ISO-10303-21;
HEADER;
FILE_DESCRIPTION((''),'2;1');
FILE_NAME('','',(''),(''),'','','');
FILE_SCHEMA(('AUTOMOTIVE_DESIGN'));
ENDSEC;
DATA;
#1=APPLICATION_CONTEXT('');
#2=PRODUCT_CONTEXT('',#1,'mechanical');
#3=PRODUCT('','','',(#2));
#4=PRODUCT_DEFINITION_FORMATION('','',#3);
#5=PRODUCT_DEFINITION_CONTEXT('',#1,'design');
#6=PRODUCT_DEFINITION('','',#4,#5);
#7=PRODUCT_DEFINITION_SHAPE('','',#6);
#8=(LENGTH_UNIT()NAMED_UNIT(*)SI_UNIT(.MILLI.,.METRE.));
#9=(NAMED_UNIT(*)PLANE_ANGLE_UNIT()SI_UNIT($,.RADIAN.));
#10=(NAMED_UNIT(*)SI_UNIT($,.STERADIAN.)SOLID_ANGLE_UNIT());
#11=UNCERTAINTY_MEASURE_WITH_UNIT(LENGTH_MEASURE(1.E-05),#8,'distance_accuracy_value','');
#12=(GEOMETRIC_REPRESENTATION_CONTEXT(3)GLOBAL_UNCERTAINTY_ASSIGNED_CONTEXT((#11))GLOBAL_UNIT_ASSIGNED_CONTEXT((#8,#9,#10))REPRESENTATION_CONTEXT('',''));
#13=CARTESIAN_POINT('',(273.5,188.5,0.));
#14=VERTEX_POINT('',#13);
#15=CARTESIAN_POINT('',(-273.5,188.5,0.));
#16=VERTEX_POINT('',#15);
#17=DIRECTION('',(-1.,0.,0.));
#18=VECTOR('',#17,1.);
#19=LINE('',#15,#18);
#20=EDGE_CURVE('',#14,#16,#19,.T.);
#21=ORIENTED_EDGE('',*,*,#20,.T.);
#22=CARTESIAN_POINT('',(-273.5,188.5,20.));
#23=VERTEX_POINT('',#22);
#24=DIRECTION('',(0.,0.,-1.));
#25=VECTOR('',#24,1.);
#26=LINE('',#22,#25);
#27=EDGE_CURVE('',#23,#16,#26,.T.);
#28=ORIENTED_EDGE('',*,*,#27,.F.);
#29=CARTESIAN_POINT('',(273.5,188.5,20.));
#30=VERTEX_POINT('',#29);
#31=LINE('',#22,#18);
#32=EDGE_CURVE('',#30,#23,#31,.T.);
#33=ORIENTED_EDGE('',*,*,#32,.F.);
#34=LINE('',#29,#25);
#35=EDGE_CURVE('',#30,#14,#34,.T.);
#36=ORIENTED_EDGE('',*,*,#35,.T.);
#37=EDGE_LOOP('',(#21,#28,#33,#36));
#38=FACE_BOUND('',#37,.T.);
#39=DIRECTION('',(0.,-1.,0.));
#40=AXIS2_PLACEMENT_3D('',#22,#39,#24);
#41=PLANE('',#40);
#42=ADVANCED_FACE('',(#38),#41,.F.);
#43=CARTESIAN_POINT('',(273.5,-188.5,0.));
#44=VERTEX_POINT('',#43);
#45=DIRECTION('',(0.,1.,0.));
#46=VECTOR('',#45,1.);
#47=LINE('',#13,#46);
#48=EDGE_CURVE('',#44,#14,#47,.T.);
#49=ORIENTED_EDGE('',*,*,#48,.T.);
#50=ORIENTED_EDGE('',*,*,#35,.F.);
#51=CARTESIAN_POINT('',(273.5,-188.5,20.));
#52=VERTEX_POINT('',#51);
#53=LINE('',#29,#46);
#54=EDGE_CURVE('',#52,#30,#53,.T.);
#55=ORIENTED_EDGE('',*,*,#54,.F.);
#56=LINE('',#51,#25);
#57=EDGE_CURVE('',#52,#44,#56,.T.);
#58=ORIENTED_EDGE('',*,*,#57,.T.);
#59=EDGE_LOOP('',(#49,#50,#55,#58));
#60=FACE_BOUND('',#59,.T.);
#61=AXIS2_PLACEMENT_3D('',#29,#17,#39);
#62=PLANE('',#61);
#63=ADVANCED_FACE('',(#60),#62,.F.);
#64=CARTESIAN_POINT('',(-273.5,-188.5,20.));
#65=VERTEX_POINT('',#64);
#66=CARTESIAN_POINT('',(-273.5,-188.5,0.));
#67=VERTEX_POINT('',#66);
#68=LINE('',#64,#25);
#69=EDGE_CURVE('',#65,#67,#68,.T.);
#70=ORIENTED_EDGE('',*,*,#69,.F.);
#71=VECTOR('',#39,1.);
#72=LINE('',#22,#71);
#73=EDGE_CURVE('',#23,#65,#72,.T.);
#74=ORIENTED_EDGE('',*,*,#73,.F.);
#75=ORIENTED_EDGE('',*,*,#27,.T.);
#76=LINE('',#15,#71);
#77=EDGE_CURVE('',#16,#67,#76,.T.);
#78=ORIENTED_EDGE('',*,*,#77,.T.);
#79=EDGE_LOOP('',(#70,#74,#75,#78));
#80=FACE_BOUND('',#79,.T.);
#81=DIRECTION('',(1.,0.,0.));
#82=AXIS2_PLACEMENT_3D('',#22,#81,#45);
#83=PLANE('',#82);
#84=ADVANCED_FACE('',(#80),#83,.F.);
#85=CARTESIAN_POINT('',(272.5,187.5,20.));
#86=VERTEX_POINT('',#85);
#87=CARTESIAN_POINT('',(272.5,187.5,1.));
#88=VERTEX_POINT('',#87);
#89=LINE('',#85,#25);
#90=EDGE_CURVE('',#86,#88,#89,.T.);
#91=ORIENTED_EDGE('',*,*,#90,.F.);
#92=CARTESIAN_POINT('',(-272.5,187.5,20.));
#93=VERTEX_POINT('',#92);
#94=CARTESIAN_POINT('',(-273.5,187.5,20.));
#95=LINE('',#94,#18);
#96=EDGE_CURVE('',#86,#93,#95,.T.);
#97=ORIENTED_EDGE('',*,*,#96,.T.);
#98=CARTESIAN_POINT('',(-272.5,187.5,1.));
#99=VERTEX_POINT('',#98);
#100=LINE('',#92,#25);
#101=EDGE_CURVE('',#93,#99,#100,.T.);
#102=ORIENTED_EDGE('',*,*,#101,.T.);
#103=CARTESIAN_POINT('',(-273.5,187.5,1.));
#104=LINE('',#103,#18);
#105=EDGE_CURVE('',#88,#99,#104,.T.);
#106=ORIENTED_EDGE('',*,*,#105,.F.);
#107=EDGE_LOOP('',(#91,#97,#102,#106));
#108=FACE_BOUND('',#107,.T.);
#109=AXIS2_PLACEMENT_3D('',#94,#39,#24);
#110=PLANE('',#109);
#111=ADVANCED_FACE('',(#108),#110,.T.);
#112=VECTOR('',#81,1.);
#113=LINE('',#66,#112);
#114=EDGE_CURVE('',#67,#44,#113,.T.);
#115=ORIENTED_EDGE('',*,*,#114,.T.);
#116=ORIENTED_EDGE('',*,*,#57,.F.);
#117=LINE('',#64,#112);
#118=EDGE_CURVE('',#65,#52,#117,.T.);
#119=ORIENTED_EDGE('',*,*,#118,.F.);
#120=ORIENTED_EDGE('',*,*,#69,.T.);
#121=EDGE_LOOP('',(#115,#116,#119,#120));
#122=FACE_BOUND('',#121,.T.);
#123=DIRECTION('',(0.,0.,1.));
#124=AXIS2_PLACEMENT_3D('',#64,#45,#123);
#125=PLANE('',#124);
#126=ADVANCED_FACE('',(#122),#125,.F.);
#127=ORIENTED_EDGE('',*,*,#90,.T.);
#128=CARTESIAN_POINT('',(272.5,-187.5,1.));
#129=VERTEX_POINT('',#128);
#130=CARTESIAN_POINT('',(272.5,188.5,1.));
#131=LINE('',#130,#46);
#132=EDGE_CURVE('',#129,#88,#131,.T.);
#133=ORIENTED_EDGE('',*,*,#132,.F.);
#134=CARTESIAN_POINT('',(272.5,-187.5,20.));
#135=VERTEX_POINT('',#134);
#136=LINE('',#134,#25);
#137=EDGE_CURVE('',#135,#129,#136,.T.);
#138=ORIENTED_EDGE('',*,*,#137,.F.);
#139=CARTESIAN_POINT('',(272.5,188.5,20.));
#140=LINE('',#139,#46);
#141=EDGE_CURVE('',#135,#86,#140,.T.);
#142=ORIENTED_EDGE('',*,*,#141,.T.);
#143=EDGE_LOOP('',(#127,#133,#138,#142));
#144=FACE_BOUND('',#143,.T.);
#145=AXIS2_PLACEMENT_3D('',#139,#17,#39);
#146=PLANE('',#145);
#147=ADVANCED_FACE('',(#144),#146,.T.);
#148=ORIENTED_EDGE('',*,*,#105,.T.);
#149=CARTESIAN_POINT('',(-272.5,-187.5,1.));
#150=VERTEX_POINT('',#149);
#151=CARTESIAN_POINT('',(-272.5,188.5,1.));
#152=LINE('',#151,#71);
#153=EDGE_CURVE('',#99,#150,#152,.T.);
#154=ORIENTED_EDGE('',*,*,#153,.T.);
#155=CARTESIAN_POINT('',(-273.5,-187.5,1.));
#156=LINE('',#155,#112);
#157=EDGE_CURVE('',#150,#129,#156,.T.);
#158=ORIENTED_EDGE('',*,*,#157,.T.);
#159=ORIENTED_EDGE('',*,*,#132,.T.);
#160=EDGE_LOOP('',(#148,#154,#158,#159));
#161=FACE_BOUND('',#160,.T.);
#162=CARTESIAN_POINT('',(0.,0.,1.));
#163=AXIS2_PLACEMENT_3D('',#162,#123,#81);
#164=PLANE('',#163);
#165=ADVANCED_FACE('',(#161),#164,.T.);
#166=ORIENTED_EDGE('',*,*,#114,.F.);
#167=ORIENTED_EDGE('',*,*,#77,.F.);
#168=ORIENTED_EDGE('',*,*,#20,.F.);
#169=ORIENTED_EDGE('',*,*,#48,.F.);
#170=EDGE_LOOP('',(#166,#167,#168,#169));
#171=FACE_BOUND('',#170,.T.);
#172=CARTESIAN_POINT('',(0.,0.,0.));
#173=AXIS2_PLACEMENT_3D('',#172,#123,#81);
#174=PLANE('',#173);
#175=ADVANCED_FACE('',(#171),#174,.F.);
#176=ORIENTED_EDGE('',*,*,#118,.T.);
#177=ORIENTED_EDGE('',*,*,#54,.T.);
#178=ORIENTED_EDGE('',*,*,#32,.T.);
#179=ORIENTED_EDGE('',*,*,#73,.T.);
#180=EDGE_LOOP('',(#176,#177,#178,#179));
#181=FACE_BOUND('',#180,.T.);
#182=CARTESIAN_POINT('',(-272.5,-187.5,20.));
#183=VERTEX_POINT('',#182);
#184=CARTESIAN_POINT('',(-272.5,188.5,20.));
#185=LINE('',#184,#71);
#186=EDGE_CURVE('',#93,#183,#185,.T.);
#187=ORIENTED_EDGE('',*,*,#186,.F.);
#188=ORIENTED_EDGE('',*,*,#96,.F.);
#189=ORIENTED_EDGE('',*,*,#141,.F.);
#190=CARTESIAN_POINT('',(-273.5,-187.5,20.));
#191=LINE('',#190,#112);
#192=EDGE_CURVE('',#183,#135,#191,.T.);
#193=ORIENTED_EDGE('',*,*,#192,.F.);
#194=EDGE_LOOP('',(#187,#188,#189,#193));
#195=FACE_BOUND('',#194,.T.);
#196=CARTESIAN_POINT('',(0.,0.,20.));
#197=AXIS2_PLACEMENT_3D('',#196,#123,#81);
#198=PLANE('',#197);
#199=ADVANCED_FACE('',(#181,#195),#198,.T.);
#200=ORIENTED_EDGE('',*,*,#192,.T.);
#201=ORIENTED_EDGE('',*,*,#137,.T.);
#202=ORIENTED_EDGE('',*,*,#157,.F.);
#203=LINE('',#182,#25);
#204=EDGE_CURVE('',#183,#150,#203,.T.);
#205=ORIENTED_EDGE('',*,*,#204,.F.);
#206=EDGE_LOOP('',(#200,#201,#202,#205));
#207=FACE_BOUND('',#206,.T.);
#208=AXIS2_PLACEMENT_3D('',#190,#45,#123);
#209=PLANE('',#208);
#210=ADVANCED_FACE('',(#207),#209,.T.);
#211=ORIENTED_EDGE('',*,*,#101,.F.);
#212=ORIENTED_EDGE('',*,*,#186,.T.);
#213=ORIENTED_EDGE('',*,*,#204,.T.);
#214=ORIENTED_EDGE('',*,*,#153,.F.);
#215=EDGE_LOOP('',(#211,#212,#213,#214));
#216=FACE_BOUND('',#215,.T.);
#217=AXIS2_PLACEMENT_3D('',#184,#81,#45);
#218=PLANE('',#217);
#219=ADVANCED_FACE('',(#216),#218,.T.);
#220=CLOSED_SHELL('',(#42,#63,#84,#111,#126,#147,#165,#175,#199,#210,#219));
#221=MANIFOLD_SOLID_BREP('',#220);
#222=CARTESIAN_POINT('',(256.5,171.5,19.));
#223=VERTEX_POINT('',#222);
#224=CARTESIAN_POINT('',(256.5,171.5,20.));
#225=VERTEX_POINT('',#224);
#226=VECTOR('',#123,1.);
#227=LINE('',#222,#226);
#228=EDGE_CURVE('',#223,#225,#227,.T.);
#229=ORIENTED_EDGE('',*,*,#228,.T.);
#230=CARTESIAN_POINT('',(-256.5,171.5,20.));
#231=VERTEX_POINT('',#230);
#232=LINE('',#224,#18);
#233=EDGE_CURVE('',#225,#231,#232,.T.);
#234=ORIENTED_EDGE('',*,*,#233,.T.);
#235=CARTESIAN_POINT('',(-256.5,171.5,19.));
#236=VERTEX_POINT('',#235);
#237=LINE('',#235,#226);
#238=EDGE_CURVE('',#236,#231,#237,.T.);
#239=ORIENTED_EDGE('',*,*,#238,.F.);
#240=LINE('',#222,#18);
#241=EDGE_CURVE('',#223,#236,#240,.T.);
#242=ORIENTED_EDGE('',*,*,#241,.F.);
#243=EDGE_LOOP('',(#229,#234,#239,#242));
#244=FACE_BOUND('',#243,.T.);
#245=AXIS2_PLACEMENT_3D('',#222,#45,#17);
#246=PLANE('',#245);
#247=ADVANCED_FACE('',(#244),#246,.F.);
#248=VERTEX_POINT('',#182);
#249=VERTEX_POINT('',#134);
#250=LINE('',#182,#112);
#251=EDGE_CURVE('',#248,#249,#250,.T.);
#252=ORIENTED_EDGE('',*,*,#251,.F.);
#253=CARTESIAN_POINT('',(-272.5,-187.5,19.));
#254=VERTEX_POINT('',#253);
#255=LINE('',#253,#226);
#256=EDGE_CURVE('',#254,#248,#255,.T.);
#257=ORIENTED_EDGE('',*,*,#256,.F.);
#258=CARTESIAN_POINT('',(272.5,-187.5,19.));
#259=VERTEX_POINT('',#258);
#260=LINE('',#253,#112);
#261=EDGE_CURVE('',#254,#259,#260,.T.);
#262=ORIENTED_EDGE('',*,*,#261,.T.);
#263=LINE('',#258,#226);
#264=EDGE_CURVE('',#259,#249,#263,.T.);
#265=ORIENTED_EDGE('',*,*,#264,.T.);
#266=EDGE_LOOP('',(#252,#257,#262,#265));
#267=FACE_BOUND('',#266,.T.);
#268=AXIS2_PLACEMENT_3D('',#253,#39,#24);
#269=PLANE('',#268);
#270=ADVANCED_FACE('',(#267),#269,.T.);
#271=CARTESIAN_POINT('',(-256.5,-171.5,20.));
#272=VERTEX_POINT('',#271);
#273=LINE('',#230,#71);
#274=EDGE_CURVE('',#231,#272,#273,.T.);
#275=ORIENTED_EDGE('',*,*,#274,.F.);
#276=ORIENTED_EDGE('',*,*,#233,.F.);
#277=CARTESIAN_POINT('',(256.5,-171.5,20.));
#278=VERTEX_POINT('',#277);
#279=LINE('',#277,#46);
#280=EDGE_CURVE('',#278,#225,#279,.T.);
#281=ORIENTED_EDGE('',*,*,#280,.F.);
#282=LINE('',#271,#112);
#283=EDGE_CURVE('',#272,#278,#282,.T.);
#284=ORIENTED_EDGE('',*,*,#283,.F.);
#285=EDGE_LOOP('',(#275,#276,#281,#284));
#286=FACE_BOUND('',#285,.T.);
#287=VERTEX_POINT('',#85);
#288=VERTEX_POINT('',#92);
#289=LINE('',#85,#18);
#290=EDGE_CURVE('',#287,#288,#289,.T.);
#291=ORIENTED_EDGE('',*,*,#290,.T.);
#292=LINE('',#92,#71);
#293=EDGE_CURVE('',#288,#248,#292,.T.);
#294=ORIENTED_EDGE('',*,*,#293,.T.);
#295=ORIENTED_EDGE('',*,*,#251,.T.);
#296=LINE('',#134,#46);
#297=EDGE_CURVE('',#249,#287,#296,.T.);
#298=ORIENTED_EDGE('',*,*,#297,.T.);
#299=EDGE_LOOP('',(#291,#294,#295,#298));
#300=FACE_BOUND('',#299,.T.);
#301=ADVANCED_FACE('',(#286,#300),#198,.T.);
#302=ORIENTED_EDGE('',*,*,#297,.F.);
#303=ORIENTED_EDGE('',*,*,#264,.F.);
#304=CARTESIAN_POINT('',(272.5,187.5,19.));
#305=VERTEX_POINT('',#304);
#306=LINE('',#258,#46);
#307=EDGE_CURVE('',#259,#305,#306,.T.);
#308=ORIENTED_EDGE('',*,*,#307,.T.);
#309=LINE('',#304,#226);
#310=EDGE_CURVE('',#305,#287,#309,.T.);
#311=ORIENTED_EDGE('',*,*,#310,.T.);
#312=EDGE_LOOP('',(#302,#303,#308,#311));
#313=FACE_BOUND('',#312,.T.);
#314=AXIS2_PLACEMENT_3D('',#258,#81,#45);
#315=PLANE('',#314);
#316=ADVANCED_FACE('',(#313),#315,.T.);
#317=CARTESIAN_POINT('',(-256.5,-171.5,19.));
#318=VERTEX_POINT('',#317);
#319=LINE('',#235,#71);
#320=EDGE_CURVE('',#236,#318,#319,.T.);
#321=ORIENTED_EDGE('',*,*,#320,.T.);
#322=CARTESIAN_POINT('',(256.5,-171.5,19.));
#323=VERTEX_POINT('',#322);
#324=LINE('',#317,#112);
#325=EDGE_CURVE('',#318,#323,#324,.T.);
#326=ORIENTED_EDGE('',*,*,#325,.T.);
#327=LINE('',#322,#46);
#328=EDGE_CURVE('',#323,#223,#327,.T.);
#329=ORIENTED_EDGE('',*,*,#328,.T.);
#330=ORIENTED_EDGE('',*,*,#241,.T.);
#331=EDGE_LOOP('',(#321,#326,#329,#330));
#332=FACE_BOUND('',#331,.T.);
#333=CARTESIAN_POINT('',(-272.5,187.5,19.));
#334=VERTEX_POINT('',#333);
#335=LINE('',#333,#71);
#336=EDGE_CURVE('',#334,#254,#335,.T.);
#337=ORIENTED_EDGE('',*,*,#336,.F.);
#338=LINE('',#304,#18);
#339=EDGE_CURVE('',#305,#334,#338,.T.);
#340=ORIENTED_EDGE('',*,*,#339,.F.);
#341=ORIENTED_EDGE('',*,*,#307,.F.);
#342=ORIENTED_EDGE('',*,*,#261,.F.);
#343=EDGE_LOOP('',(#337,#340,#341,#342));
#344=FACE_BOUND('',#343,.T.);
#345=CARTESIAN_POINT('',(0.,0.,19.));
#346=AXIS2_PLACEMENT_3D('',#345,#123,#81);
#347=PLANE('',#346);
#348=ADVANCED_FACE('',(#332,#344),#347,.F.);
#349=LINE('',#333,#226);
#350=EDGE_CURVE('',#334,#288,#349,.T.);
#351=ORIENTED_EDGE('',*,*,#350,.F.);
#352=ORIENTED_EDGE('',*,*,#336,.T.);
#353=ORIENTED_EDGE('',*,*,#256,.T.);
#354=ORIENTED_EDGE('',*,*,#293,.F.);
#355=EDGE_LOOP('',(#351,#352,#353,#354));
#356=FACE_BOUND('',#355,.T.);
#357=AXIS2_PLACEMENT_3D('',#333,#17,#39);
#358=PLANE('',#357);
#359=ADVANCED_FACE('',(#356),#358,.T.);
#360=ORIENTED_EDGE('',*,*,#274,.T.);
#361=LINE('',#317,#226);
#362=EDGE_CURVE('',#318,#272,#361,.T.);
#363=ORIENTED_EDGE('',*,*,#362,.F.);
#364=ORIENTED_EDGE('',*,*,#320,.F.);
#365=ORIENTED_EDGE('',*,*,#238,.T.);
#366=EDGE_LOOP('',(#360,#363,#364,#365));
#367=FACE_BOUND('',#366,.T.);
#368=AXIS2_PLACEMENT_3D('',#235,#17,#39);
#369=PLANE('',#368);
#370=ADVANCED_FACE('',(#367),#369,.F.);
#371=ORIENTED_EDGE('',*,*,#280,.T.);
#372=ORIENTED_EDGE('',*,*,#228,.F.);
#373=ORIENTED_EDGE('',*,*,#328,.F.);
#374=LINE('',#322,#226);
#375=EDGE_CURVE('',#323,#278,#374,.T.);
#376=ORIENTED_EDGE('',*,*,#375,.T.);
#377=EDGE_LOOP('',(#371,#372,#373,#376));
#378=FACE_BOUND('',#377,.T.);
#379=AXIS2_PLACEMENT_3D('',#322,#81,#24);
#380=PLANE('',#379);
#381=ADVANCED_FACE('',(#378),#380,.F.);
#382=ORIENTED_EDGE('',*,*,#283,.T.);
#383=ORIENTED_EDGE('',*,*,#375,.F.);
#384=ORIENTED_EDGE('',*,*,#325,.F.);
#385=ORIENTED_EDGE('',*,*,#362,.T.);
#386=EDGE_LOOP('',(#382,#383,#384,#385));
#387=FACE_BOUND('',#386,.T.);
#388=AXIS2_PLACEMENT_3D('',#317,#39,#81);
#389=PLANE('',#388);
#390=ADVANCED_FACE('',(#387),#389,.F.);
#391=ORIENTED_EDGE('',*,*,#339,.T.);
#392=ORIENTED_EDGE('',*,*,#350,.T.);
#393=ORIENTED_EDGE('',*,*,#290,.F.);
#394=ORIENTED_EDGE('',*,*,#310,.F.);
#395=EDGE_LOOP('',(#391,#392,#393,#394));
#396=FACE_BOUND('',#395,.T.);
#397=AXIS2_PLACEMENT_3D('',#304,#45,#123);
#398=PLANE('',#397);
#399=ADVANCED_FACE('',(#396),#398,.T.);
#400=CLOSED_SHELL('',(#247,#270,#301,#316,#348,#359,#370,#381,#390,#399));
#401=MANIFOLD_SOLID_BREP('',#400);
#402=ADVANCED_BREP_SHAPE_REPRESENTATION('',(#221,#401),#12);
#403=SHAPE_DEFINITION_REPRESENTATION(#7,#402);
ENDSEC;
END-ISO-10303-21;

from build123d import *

# Parameters (mm, degrees)
SKETCH_1_W      = 547
SKETCH_1_H      = 377
EXTRUDE_1_DEPTH = 20
SHELL_1_T       = -1
SKETCH_3_W      = 545
SKETCH_3_H      = 375
SKETCH_3_W_2    = 513
SKETCH_3_H_2    = 343
EXTRUDE_2_DEPTH = 1


with BuildPart() as part:
    # 草图1 → 凸台-拉伸1 (new body)
    with BuildSketch(Plane.XY):
        Rectangle(SKETCH_1_W, SKETCH_1_H)
    extrude(amount=EXTRUDE_1_DEPTH)

    # 抽壳1
    shell_1_openings = [part.faces().sort_by_distance(p)[0] for p in [
        (0, 0, 20),
    ]]
    offset(amount=SHELL_1_T, openings=shell_1_openings, kind=Kind.INTERSECTION)


with BuildPart() as body_2:
    # 草图3 → 凸台-拉伸2 (new body)
    with BuildSketch(Plane.XY.offset(20)):
        Rectangle(SKETCH_3_W, SKETCH_3_H)
        Rectangle(SKETCH_3_W_2, SKETCH_3_H_2, mode=Mode.SUBTRACT)
    extrude(amount=-EXTRUDE_2_DEPTH)


solid = Compound([part.part, body_2.part])
